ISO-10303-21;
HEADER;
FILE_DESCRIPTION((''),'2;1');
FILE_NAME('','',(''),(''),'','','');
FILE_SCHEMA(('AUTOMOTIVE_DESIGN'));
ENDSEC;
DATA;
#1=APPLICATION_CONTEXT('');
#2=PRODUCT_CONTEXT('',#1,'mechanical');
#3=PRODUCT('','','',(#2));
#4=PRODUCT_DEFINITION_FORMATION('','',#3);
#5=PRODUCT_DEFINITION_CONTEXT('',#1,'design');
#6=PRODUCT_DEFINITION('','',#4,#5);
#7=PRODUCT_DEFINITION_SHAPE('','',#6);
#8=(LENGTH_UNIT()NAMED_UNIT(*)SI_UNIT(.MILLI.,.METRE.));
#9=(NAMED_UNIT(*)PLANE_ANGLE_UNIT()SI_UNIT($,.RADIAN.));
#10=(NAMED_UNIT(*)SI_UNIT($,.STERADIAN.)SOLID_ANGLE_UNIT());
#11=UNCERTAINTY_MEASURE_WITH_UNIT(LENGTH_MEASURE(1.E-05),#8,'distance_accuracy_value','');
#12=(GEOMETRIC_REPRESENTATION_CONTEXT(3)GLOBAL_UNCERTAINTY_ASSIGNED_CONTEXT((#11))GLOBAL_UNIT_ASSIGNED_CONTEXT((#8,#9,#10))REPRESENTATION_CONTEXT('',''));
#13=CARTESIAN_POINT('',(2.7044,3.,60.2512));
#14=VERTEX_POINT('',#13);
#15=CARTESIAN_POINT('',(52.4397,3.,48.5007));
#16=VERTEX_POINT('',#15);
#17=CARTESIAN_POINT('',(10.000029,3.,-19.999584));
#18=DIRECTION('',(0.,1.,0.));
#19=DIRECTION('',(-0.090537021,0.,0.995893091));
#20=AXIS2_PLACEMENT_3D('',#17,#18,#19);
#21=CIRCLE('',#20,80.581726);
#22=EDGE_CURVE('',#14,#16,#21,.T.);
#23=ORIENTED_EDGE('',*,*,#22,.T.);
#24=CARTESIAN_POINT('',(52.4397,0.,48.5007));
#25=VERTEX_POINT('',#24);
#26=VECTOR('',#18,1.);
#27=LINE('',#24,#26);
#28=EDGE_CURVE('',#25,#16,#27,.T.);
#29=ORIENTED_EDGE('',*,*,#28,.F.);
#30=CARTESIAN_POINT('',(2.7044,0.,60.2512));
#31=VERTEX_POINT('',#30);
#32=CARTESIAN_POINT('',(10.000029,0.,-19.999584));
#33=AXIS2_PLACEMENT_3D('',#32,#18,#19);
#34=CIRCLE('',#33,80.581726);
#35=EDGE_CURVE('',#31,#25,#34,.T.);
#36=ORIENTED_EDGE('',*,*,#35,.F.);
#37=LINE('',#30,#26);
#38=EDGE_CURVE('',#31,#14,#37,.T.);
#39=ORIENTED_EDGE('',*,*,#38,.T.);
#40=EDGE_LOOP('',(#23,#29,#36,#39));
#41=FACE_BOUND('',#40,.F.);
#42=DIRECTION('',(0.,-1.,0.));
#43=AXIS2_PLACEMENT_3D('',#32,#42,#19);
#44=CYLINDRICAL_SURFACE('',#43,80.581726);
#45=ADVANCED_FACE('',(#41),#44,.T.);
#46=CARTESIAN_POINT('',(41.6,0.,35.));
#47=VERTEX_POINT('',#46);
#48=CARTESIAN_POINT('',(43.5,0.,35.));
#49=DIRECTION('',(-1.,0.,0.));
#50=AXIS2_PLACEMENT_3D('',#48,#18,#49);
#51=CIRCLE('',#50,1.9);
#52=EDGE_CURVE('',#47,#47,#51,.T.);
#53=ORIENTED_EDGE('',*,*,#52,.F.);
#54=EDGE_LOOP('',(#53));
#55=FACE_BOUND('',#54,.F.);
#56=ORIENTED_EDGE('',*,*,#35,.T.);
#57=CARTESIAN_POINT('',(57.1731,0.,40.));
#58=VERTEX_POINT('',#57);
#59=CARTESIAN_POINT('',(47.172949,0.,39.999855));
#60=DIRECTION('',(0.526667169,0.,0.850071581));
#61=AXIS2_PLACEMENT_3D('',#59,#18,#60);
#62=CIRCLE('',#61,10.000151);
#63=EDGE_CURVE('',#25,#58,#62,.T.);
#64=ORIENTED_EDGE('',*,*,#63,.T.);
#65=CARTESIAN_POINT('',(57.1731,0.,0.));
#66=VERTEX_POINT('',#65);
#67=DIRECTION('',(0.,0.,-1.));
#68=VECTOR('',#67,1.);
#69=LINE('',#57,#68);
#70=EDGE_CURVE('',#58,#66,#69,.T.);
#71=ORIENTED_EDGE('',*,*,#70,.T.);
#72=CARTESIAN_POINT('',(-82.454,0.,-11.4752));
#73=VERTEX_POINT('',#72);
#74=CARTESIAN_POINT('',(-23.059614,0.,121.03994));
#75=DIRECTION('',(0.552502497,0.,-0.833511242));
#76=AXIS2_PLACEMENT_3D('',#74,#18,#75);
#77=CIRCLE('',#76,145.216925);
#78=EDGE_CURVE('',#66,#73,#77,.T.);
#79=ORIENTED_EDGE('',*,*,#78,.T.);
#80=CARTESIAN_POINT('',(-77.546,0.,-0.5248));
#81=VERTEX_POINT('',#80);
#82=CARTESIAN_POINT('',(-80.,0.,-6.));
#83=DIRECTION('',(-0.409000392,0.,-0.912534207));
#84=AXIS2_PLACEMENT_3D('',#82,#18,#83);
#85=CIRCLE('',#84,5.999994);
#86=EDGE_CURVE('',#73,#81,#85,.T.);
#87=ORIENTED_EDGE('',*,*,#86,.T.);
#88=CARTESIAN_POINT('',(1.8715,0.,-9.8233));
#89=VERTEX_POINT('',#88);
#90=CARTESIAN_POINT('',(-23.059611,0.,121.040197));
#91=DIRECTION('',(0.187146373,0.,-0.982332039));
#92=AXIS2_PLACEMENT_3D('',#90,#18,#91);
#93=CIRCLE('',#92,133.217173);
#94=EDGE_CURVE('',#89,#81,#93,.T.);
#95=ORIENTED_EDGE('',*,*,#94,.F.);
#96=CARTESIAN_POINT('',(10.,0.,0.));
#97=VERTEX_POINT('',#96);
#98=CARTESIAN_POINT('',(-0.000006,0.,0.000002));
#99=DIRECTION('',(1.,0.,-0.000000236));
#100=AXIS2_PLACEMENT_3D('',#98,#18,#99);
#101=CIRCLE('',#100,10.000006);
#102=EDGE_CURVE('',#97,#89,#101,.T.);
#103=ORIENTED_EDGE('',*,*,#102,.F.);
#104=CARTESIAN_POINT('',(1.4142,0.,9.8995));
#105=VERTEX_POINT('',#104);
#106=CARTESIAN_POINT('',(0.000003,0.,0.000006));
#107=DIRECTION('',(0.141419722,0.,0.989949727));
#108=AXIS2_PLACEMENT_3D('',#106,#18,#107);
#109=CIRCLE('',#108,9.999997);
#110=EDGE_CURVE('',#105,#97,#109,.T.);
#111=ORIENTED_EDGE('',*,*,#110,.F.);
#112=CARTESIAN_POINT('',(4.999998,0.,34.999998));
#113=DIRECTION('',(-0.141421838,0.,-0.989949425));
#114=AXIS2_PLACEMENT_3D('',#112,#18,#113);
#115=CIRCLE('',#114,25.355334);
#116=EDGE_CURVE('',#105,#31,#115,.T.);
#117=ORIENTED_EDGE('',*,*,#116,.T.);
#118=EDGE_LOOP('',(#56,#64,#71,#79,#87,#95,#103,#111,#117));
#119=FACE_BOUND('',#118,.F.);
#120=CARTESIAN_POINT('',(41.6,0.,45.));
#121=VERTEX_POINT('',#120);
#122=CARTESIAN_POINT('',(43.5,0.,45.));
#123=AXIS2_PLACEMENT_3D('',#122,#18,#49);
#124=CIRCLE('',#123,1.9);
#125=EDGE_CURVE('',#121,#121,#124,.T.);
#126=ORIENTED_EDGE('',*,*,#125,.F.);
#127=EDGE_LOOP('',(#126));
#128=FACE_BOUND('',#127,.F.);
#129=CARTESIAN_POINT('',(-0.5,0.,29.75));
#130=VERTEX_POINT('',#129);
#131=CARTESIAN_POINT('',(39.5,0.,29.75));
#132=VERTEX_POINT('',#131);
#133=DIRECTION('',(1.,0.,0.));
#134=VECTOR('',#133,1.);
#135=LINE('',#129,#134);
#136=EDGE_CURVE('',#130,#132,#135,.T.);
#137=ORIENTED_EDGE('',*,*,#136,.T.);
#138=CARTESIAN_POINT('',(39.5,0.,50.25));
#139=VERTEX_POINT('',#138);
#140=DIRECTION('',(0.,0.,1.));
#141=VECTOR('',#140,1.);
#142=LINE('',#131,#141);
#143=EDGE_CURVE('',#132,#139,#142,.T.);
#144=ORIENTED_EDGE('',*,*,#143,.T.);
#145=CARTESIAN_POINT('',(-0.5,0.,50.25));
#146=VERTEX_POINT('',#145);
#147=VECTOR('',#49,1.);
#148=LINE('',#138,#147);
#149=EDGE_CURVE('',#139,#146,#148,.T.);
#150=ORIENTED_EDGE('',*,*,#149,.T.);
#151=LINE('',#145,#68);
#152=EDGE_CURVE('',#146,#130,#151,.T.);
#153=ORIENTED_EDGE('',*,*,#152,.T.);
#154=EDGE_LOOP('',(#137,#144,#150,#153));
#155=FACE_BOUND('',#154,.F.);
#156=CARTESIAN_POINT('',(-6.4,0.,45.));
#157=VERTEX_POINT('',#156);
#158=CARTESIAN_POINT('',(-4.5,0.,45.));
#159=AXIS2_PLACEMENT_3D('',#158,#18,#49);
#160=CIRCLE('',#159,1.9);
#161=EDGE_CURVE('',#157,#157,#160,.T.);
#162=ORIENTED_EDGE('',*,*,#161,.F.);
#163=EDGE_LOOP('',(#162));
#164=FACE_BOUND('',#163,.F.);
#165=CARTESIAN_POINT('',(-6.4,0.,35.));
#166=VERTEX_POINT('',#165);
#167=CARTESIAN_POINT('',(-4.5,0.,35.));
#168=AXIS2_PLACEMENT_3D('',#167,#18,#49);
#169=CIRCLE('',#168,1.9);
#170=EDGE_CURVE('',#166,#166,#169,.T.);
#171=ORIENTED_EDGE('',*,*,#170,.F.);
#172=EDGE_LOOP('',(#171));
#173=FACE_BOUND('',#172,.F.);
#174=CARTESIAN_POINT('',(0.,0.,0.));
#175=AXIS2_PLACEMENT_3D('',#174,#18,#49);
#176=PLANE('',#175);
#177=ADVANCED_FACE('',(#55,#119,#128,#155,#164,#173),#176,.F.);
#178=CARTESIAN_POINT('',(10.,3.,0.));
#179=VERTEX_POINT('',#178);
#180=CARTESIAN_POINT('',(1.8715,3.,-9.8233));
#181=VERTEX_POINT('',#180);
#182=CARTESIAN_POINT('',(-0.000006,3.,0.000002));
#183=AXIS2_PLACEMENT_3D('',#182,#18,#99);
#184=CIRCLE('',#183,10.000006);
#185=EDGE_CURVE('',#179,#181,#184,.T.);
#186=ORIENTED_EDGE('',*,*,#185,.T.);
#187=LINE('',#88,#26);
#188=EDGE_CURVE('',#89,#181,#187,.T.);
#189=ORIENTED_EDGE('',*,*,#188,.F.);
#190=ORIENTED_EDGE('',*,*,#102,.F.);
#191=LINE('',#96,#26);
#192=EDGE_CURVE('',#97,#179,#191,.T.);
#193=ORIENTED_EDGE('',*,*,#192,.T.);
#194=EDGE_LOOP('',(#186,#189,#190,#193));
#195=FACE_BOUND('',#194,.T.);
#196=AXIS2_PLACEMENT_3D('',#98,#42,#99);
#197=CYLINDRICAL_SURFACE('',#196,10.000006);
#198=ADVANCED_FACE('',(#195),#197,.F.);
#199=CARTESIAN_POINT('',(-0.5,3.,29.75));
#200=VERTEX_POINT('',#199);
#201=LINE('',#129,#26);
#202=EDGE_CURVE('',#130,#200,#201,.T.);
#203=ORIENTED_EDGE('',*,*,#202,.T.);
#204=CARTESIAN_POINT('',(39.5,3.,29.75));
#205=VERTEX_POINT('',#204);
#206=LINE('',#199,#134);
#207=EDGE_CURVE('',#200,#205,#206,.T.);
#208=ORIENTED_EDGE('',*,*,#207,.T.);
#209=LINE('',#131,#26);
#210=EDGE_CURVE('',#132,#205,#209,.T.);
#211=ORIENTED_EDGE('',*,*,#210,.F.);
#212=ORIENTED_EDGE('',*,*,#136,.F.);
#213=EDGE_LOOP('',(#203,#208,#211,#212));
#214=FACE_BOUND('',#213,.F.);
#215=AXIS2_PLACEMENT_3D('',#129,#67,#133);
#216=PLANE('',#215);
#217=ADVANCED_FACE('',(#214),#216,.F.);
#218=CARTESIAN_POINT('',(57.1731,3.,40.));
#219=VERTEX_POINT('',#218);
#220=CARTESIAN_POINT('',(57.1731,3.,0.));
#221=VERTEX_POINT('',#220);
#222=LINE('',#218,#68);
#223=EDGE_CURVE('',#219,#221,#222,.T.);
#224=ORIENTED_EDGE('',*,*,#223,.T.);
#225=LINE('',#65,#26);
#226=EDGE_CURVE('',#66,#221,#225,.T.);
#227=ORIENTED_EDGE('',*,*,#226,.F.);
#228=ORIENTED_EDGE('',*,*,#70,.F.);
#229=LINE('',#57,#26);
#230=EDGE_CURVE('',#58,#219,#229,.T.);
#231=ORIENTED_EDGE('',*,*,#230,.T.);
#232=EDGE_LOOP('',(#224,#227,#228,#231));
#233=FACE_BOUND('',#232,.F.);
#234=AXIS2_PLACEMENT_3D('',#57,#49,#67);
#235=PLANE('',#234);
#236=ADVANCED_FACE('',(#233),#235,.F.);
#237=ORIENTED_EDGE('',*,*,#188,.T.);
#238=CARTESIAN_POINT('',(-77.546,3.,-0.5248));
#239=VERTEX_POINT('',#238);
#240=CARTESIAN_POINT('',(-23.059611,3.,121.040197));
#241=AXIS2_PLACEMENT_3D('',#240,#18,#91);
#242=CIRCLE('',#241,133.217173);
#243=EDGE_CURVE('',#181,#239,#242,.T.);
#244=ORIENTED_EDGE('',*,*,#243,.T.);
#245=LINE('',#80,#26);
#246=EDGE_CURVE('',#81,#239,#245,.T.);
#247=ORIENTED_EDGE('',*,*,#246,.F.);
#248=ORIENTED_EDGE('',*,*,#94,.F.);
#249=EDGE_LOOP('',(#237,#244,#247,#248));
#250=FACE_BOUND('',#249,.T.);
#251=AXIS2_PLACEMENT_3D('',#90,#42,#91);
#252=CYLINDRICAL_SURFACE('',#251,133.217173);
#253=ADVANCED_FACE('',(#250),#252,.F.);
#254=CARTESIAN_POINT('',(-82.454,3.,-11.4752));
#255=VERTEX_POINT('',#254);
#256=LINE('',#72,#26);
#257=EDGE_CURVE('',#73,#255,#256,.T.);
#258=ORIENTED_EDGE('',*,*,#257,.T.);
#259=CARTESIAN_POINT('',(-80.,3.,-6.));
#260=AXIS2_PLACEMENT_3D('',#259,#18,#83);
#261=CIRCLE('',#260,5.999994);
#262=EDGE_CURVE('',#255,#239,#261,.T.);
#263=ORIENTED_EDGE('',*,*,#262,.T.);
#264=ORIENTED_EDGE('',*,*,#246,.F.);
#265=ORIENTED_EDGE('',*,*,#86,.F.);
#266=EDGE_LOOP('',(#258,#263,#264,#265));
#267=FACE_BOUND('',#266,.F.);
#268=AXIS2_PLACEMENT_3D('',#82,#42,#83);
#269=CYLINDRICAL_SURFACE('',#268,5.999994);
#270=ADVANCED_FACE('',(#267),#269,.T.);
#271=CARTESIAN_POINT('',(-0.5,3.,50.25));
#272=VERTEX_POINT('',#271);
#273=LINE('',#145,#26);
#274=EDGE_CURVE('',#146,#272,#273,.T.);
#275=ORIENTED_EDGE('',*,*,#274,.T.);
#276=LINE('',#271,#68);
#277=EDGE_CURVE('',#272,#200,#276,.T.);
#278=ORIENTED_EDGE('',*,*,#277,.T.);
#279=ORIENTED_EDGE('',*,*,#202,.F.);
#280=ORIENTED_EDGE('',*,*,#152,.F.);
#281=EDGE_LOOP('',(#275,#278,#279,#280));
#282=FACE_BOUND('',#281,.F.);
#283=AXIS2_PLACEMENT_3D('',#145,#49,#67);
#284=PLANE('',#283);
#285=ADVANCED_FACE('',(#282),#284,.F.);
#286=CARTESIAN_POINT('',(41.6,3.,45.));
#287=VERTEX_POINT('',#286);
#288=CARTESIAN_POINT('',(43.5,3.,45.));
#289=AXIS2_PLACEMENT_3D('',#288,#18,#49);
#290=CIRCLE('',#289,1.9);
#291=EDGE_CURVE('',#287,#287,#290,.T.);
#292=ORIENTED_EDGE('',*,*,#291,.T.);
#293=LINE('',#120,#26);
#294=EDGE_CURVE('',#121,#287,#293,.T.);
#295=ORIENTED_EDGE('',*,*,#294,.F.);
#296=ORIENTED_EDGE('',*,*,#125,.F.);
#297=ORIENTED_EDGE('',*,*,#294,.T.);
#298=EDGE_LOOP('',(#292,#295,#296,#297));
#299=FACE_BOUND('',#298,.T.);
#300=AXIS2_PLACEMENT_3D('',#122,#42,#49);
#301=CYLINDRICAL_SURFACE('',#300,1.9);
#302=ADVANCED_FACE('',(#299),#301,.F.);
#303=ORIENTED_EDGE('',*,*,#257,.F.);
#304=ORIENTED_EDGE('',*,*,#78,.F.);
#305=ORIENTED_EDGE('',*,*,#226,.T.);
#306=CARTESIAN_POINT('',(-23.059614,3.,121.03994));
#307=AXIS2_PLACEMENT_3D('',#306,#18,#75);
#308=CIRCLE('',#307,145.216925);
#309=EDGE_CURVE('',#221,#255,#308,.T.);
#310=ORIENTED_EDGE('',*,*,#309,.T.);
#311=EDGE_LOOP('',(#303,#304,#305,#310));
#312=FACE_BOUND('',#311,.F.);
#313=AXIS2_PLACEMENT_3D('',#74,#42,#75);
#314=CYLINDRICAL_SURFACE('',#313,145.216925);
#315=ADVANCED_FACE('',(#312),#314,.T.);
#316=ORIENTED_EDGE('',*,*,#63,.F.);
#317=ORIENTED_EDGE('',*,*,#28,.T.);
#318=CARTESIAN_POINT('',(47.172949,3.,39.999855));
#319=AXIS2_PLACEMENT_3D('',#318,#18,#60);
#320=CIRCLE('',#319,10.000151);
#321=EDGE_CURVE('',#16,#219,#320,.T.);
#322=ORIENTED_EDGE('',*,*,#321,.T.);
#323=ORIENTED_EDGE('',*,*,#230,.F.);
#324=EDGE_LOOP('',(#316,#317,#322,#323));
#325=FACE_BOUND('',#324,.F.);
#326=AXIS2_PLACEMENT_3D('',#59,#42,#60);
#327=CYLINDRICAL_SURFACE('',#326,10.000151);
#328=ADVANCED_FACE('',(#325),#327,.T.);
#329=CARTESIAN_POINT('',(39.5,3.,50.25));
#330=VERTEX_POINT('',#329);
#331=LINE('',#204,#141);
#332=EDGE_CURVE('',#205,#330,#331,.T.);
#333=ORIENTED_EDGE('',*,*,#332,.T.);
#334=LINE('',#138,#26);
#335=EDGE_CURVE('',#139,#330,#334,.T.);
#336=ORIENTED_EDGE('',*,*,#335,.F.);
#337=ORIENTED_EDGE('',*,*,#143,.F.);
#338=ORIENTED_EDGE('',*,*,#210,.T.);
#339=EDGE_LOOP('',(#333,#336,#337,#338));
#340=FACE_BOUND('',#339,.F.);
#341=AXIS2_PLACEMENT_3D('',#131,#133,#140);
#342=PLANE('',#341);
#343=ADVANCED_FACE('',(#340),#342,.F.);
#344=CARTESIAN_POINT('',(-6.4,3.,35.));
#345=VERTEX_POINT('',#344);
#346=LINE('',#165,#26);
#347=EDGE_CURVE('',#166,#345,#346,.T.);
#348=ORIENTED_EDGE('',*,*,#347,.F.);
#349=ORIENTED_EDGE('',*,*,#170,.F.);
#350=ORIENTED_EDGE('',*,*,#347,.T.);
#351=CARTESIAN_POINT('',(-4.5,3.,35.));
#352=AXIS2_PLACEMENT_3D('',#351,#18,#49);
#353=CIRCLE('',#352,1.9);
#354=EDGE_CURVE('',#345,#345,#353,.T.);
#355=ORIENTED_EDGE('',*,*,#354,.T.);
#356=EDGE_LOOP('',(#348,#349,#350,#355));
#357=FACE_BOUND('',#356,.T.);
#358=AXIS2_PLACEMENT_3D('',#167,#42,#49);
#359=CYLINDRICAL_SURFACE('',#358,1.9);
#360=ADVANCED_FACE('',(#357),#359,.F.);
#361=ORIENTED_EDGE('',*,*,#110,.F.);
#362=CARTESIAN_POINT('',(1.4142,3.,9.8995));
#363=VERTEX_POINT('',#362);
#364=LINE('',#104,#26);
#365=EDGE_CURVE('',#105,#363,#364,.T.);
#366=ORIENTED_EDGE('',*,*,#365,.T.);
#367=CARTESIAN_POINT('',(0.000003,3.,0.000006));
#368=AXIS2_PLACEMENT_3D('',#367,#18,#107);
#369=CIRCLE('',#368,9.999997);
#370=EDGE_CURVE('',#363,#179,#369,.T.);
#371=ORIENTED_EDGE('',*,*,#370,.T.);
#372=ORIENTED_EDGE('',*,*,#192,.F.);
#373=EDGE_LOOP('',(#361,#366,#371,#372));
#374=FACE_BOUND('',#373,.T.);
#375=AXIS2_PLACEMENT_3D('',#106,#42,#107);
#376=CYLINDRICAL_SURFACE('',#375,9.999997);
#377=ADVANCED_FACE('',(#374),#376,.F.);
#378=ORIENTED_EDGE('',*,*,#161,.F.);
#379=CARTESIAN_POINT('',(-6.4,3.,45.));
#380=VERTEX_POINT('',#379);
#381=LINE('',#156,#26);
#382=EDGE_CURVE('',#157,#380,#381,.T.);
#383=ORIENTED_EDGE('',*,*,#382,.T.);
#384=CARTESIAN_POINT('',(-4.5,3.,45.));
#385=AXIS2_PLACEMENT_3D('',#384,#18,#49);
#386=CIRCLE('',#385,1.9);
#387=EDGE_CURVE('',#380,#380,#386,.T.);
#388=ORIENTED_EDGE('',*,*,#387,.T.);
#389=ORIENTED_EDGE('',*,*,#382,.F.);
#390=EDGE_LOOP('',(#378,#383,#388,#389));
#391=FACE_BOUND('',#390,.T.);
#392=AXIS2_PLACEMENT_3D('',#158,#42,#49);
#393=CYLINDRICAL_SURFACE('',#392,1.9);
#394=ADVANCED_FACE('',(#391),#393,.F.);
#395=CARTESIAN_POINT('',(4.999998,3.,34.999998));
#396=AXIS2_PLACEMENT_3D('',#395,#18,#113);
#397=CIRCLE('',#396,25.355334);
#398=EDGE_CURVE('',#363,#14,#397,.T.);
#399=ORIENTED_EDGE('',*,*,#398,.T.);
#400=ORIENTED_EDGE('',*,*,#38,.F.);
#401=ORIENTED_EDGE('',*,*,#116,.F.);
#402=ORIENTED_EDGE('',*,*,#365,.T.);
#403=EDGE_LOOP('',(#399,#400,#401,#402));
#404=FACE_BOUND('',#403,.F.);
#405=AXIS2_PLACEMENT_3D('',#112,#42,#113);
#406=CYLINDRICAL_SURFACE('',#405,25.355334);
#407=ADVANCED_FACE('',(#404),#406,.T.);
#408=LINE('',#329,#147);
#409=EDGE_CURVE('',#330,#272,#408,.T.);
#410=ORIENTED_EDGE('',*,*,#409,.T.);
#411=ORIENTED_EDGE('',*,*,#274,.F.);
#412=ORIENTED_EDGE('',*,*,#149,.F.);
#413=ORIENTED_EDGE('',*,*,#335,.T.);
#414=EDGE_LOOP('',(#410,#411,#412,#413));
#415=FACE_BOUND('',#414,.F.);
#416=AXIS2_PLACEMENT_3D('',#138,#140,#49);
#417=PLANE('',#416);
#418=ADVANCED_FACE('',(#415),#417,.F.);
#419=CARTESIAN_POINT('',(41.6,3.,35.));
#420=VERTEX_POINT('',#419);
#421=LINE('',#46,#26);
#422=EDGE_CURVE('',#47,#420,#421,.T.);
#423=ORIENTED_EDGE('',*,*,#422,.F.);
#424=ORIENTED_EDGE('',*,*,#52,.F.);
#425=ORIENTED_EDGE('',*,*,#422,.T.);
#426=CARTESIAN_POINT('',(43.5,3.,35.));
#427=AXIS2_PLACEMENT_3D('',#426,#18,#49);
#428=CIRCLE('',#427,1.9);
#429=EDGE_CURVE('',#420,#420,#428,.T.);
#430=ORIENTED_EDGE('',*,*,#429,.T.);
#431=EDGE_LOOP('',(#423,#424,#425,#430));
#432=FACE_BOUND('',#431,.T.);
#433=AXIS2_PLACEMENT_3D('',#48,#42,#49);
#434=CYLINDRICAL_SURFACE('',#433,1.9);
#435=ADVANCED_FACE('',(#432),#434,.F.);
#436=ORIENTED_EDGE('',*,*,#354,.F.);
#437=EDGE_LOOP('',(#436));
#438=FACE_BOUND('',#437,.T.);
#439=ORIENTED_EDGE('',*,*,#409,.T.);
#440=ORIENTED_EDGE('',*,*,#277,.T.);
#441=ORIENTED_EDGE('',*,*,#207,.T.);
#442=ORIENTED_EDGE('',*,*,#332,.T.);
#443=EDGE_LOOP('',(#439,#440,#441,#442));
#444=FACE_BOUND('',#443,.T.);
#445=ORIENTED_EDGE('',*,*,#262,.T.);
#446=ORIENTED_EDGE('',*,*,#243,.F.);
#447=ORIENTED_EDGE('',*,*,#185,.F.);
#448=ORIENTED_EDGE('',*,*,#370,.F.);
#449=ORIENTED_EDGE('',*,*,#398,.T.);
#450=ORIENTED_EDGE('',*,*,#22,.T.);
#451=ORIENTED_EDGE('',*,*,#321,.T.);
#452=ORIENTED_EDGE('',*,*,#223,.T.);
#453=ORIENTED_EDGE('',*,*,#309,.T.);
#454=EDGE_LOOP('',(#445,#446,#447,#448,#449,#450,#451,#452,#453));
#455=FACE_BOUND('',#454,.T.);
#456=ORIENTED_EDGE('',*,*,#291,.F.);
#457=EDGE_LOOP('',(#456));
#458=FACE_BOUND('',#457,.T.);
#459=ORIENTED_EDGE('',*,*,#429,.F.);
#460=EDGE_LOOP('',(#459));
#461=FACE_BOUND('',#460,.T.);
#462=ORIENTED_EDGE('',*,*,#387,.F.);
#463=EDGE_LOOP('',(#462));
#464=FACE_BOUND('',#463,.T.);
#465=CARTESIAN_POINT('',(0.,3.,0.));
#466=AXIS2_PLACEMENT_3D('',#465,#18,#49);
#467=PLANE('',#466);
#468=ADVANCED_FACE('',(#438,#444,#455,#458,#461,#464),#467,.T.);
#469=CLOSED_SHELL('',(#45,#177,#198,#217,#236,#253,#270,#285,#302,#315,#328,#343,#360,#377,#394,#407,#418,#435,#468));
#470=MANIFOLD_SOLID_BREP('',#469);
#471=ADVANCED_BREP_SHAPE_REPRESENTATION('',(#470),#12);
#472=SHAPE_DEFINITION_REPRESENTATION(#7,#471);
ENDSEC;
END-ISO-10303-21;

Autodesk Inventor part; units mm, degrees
ref_plane "YZ Plane" through (0, 0, 0) normal (1, 0, 0) x (0, 1, 0)
ref_plane "XZ Plane" through (0, 0, 0) normal (0, 1, 0) x (-1, 0, 0)
ref_plane "XY Plane" through (0, 0, 0) normal (0, 0, 1) x (1, 0, 0)
sketch "Sketch1" plane through (0, 0, 0) normal (0, 1, 0) x (-1, 0, 0)
  arc A0 (-1.4142, 9.8995) -> (-10, 0) centre (0, 0) ccw
  line L0 (-39.5, 50.25) -> (0.5, 50.25)
  line L1 (0.5, 50.25) -> (0.5, 29.75)
  line L2 (0.5, 29.75) -> (-39.5, 29.75)
  line L3 (-39.5, 29.75) -> (-39.5, 50.25)
  line L4 (-39.5, 50.25) -> (0.5, 29.75) construction
  line L5 (0.5, 50.25) -> (-39.5, 29.75) construction
  line L6 (-10, 40) -> (-19.5, 40) construction
  circle A1 centre (4.5, 35) radius 1.9
  circle A2 centre (4.5, 45) radius 1.9
  line L7 (4.5, 45) -> (4.5, 35) construction
  circle A3 centre (-43.5, 45) radius 1.9
  circle A4 centre (-43.5, 35) radius 1.9
  line L8 (-43.5, 45) -> (-43.5, 35) construction
  line L9 (-43.5, 40) -> (-19.5, 40) construction
  line L10 (-10, 40) -> (4.5, 40) construction
  line L11 (-43.5, 45) -> (4.5, 45) construction
  line L12 (-43.5, 35) -> (4.5, 35) construction
  line L13 (-19.5, 40) -> (-19.5, 45) construction
  circle A5 centre (-10, 40) radius 9.75 construction
  circle A6 centre (-29, 40) radius 9.75 construction
  arc A7 (-2.7044, 60.2512) -> (-52.4397, 48.5007) centre (-10, -20) ccw
  arc A8 (-1.4142, 9.8995) -> (-2.7044, 60.2512) centre (-5, 35) ccw
  line L14 (-57.1731, 40) -> (-57.1731, 0)
  line L15 (-57.1731, 0) -> (0, 0) construction
  arc A9 (-52.4397, 48.5007) -> (-57.1731, 40) centre (-47.1731, 40) ccw
  line L16 (0, 0) -> (10, 0) construction
  line L17 (-10, 0) -> (-57.1731, 0) construction
  arc A10 (-10, 0) -> (-1.4142, -9.8995) centre (0, 0) ccw
  arc A11 (-1.8715, -9.8233) -> (77.546, -0.5248) centre (23.0596, 121.0399) ccw
  arc A12 (82.454, -11.4752) -> (77.546, -0.5248) centre (80, -6) ccw
  arc A13 (-57.1731, 0) -> (82.454, -11.4752) centre (23.0596, 121.0399) ccw
  line L18 (0, 0) -> (100, 0) construction
  point P0 (-57.1731, 45.3313)
  point P1 (-5, -35)
  dimension "d0" = 20
  dimension "d1" = 40
  dimension "d2" = 20.5
  dimension "d4" = 48
  dimension "d5" = 3.8
  dimension "d6" = 10
  dimension "d7" = 19.5
  dimension "d8" = 10
  dimension "d9" = 40
  dimension "d11" = 10.5
  dimension "d12" = 35
  dimension "d13" = 5
  dimension "d16" = 10
  dimension "d17" = 20
  dimension "d18" = 10
  dimension "d19" = 40
  dimension "d47" = 12
  dimension "d48" = 100
  dimension "d49" = 80
  dimension "d60" = 14.5
extrude "Extrusion1" add sketch "Sketch1" along normal blind 3
equation "\"d11\" = d3"
equation "\"d3\" = 10.5"
properties part number "wstepna_geometria_wersja_2"
